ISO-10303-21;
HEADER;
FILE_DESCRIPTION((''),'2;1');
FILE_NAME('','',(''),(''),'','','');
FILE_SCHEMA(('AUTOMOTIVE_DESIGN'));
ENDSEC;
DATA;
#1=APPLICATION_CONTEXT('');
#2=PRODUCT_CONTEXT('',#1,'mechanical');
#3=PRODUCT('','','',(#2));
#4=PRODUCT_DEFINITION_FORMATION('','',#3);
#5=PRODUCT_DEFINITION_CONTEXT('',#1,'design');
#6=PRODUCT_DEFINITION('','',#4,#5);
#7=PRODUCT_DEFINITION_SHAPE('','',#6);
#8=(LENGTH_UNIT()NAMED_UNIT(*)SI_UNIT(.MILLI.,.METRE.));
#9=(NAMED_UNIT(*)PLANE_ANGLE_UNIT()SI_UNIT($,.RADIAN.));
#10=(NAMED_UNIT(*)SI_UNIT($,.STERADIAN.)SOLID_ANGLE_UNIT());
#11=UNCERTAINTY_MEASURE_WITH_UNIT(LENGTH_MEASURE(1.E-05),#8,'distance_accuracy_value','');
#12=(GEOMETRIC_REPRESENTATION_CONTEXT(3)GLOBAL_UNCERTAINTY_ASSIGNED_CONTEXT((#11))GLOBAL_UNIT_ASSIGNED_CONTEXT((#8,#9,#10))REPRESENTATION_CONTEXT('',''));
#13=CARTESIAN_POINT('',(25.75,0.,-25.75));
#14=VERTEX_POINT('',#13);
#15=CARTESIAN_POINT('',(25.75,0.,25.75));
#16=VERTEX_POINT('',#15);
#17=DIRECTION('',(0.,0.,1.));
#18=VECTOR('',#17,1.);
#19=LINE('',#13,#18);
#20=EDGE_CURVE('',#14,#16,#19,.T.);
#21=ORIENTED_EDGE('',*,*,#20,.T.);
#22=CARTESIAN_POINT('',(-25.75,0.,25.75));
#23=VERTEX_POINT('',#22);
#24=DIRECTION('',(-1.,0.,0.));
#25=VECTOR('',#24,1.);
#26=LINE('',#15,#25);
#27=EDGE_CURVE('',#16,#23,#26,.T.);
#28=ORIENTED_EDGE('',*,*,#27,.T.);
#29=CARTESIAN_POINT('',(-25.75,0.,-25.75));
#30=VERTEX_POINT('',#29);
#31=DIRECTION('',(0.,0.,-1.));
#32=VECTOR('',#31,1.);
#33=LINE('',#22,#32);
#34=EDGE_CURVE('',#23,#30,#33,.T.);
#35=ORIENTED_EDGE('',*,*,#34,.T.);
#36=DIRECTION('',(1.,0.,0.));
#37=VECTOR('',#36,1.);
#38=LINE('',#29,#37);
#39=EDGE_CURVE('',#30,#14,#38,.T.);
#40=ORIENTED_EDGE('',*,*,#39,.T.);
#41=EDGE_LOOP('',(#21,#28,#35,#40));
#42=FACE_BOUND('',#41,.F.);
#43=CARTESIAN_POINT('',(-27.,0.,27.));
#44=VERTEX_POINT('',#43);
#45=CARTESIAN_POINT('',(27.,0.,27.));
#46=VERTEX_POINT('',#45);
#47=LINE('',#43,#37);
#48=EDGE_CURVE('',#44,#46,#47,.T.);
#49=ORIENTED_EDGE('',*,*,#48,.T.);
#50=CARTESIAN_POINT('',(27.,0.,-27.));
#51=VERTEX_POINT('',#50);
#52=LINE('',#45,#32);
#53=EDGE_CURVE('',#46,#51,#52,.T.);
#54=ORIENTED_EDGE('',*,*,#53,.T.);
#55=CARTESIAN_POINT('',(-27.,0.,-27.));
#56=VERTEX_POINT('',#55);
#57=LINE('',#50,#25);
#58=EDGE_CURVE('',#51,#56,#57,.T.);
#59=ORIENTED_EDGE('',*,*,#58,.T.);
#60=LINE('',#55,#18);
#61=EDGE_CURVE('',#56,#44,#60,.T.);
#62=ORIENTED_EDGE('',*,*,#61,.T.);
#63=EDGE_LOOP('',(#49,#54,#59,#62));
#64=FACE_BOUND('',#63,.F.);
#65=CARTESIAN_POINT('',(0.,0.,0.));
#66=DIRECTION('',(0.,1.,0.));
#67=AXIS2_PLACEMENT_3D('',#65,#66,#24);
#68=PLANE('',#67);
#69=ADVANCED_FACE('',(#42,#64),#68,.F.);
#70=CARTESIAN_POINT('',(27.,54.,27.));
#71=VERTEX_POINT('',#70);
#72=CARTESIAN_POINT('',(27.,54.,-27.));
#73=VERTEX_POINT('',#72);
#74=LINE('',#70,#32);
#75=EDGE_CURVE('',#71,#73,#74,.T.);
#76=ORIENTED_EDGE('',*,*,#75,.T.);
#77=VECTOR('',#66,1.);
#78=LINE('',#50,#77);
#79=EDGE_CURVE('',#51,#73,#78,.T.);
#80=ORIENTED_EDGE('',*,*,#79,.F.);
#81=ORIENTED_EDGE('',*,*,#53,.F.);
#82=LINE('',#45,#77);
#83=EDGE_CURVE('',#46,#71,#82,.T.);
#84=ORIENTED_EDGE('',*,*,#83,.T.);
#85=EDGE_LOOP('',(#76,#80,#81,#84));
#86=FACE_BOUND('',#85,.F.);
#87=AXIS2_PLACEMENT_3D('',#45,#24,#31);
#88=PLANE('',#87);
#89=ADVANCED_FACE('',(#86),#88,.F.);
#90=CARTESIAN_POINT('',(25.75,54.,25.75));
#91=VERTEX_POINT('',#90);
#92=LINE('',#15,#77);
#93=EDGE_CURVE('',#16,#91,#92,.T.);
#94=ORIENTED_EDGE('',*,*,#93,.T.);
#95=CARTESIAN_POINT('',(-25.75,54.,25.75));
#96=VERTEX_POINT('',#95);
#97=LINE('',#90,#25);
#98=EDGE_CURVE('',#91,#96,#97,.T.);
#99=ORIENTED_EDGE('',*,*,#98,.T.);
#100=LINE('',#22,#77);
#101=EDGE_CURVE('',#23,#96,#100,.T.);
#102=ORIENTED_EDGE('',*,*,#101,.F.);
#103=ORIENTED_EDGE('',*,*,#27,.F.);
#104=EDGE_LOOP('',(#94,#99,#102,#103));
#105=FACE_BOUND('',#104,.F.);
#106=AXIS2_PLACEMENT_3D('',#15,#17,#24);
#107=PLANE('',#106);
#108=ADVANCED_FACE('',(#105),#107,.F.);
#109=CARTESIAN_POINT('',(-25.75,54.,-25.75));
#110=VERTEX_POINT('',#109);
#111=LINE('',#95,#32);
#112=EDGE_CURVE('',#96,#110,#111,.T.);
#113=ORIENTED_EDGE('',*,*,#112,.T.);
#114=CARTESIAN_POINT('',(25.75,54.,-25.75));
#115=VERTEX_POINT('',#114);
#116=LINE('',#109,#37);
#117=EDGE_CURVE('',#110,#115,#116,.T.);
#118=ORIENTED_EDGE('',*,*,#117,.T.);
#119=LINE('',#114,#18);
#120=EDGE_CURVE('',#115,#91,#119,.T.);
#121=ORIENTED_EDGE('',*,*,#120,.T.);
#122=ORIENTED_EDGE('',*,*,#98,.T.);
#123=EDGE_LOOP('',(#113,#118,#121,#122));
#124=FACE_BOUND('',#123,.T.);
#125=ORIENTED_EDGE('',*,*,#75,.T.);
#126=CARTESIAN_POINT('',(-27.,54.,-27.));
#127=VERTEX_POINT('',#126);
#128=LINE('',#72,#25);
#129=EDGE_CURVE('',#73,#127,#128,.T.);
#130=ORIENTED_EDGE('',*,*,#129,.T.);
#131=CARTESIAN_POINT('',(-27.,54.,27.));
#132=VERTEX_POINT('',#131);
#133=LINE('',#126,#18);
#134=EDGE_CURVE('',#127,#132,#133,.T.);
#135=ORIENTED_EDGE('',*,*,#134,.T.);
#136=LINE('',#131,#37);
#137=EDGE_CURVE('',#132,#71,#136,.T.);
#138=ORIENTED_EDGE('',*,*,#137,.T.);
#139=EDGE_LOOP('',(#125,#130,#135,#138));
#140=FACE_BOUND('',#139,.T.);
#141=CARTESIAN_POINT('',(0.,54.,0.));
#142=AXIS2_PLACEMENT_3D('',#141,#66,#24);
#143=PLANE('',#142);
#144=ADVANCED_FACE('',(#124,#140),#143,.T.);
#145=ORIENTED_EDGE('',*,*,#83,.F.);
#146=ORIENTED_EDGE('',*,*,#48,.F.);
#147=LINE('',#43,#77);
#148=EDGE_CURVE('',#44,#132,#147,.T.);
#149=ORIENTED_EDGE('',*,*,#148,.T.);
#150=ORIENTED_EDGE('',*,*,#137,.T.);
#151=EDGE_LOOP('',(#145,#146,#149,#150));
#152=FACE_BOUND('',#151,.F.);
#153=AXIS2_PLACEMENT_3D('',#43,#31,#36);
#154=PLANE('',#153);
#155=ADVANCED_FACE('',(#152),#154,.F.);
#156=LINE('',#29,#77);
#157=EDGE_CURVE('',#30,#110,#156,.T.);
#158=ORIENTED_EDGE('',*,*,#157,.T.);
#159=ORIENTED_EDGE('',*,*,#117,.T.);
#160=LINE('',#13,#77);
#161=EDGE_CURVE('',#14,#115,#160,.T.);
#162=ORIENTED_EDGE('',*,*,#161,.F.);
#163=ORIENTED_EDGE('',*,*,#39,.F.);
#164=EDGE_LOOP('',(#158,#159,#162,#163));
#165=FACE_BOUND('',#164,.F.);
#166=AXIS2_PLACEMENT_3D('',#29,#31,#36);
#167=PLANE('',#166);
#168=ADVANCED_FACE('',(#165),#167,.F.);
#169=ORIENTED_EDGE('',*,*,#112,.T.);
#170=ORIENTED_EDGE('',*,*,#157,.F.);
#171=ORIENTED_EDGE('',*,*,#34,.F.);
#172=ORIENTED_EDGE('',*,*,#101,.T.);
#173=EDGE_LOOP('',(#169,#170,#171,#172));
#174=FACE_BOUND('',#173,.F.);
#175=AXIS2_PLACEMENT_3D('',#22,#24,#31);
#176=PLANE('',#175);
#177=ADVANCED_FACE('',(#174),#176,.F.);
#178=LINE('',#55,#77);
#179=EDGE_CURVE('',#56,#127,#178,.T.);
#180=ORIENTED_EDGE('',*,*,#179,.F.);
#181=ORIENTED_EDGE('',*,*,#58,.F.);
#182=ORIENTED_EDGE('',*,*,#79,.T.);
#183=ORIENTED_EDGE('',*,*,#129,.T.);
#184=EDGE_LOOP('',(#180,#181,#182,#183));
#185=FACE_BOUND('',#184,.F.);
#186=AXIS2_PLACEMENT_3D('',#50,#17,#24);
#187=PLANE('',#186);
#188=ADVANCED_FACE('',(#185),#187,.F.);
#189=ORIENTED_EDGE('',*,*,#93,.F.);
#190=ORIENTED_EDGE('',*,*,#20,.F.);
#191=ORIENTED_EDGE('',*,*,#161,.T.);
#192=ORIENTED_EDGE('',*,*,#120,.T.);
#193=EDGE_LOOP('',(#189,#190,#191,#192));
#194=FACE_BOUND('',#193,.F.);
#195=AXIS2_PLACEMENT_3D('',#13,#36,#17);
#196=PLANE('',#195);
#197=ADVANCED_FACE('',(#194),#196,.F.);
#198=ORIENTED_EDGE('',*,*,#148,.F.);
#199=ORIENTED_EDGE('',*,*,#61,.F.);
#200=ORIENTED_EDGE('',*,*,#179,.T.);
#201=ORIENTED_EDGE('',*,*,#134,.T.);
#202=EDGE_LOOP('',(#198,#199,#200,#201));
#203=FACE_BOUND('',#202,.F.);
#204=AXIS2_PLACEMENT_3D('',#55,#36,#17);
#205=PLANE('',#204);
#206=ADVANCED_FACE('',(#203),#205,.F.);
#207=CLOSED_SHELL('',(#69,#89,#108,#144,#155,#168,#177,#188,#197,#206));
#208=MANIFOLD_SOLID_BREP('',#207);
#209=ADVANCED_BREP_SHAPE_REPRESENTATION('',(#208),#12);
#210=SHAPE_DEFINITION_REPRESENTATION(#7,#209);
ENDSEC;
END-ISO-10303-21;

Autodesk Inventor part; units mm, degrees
ref_plane "YZ Plane" through (0, 0, 0) normal (1, 0, 0) x (0, 1, 0)
ref_plane "XZ Plane" through (0, 0, 0) normal (0, 1, 0) x (-1, 0, 0)
ref_plane "XY Plane" through (0, 0, 0) normal (0, 0, 1) x (1, 0, 0)
sketch "Sketch2" plane through (0, 0, 0) normal (0, 1, 0) x (-1, 0, 0)
  line L0 (27, 27) -> (-27, 27)
  line L1 (-27, 27) -> (-27, -27)
  line L2 (-27, -27) -> (27, -27)
  line L3 (27, -27) -> (27, 27)
  line L4 (27, 27) -> (-27, -27) construction
  line L5 (-27, 27) -> (27, -27) construction
  line L6 (25.75, -25.75) -> (-25.75, -25.75)
  line L7 (-25.75, -25.75) -> (-25.75, 25.75)
  line L8 (-25.75, 25.75) -> (25.75, 25.75)
  line L9 (25.75, 25.75) -> (25.75, -25.75)
  dimension "d31" = 54
  dimension "d32" = 54
  dimension "d43" = 1.25
extrude "Extrusion5" add sketch "Sketch2" along normal blind 54
properties part number "Cube" material "ABS Plastic"
